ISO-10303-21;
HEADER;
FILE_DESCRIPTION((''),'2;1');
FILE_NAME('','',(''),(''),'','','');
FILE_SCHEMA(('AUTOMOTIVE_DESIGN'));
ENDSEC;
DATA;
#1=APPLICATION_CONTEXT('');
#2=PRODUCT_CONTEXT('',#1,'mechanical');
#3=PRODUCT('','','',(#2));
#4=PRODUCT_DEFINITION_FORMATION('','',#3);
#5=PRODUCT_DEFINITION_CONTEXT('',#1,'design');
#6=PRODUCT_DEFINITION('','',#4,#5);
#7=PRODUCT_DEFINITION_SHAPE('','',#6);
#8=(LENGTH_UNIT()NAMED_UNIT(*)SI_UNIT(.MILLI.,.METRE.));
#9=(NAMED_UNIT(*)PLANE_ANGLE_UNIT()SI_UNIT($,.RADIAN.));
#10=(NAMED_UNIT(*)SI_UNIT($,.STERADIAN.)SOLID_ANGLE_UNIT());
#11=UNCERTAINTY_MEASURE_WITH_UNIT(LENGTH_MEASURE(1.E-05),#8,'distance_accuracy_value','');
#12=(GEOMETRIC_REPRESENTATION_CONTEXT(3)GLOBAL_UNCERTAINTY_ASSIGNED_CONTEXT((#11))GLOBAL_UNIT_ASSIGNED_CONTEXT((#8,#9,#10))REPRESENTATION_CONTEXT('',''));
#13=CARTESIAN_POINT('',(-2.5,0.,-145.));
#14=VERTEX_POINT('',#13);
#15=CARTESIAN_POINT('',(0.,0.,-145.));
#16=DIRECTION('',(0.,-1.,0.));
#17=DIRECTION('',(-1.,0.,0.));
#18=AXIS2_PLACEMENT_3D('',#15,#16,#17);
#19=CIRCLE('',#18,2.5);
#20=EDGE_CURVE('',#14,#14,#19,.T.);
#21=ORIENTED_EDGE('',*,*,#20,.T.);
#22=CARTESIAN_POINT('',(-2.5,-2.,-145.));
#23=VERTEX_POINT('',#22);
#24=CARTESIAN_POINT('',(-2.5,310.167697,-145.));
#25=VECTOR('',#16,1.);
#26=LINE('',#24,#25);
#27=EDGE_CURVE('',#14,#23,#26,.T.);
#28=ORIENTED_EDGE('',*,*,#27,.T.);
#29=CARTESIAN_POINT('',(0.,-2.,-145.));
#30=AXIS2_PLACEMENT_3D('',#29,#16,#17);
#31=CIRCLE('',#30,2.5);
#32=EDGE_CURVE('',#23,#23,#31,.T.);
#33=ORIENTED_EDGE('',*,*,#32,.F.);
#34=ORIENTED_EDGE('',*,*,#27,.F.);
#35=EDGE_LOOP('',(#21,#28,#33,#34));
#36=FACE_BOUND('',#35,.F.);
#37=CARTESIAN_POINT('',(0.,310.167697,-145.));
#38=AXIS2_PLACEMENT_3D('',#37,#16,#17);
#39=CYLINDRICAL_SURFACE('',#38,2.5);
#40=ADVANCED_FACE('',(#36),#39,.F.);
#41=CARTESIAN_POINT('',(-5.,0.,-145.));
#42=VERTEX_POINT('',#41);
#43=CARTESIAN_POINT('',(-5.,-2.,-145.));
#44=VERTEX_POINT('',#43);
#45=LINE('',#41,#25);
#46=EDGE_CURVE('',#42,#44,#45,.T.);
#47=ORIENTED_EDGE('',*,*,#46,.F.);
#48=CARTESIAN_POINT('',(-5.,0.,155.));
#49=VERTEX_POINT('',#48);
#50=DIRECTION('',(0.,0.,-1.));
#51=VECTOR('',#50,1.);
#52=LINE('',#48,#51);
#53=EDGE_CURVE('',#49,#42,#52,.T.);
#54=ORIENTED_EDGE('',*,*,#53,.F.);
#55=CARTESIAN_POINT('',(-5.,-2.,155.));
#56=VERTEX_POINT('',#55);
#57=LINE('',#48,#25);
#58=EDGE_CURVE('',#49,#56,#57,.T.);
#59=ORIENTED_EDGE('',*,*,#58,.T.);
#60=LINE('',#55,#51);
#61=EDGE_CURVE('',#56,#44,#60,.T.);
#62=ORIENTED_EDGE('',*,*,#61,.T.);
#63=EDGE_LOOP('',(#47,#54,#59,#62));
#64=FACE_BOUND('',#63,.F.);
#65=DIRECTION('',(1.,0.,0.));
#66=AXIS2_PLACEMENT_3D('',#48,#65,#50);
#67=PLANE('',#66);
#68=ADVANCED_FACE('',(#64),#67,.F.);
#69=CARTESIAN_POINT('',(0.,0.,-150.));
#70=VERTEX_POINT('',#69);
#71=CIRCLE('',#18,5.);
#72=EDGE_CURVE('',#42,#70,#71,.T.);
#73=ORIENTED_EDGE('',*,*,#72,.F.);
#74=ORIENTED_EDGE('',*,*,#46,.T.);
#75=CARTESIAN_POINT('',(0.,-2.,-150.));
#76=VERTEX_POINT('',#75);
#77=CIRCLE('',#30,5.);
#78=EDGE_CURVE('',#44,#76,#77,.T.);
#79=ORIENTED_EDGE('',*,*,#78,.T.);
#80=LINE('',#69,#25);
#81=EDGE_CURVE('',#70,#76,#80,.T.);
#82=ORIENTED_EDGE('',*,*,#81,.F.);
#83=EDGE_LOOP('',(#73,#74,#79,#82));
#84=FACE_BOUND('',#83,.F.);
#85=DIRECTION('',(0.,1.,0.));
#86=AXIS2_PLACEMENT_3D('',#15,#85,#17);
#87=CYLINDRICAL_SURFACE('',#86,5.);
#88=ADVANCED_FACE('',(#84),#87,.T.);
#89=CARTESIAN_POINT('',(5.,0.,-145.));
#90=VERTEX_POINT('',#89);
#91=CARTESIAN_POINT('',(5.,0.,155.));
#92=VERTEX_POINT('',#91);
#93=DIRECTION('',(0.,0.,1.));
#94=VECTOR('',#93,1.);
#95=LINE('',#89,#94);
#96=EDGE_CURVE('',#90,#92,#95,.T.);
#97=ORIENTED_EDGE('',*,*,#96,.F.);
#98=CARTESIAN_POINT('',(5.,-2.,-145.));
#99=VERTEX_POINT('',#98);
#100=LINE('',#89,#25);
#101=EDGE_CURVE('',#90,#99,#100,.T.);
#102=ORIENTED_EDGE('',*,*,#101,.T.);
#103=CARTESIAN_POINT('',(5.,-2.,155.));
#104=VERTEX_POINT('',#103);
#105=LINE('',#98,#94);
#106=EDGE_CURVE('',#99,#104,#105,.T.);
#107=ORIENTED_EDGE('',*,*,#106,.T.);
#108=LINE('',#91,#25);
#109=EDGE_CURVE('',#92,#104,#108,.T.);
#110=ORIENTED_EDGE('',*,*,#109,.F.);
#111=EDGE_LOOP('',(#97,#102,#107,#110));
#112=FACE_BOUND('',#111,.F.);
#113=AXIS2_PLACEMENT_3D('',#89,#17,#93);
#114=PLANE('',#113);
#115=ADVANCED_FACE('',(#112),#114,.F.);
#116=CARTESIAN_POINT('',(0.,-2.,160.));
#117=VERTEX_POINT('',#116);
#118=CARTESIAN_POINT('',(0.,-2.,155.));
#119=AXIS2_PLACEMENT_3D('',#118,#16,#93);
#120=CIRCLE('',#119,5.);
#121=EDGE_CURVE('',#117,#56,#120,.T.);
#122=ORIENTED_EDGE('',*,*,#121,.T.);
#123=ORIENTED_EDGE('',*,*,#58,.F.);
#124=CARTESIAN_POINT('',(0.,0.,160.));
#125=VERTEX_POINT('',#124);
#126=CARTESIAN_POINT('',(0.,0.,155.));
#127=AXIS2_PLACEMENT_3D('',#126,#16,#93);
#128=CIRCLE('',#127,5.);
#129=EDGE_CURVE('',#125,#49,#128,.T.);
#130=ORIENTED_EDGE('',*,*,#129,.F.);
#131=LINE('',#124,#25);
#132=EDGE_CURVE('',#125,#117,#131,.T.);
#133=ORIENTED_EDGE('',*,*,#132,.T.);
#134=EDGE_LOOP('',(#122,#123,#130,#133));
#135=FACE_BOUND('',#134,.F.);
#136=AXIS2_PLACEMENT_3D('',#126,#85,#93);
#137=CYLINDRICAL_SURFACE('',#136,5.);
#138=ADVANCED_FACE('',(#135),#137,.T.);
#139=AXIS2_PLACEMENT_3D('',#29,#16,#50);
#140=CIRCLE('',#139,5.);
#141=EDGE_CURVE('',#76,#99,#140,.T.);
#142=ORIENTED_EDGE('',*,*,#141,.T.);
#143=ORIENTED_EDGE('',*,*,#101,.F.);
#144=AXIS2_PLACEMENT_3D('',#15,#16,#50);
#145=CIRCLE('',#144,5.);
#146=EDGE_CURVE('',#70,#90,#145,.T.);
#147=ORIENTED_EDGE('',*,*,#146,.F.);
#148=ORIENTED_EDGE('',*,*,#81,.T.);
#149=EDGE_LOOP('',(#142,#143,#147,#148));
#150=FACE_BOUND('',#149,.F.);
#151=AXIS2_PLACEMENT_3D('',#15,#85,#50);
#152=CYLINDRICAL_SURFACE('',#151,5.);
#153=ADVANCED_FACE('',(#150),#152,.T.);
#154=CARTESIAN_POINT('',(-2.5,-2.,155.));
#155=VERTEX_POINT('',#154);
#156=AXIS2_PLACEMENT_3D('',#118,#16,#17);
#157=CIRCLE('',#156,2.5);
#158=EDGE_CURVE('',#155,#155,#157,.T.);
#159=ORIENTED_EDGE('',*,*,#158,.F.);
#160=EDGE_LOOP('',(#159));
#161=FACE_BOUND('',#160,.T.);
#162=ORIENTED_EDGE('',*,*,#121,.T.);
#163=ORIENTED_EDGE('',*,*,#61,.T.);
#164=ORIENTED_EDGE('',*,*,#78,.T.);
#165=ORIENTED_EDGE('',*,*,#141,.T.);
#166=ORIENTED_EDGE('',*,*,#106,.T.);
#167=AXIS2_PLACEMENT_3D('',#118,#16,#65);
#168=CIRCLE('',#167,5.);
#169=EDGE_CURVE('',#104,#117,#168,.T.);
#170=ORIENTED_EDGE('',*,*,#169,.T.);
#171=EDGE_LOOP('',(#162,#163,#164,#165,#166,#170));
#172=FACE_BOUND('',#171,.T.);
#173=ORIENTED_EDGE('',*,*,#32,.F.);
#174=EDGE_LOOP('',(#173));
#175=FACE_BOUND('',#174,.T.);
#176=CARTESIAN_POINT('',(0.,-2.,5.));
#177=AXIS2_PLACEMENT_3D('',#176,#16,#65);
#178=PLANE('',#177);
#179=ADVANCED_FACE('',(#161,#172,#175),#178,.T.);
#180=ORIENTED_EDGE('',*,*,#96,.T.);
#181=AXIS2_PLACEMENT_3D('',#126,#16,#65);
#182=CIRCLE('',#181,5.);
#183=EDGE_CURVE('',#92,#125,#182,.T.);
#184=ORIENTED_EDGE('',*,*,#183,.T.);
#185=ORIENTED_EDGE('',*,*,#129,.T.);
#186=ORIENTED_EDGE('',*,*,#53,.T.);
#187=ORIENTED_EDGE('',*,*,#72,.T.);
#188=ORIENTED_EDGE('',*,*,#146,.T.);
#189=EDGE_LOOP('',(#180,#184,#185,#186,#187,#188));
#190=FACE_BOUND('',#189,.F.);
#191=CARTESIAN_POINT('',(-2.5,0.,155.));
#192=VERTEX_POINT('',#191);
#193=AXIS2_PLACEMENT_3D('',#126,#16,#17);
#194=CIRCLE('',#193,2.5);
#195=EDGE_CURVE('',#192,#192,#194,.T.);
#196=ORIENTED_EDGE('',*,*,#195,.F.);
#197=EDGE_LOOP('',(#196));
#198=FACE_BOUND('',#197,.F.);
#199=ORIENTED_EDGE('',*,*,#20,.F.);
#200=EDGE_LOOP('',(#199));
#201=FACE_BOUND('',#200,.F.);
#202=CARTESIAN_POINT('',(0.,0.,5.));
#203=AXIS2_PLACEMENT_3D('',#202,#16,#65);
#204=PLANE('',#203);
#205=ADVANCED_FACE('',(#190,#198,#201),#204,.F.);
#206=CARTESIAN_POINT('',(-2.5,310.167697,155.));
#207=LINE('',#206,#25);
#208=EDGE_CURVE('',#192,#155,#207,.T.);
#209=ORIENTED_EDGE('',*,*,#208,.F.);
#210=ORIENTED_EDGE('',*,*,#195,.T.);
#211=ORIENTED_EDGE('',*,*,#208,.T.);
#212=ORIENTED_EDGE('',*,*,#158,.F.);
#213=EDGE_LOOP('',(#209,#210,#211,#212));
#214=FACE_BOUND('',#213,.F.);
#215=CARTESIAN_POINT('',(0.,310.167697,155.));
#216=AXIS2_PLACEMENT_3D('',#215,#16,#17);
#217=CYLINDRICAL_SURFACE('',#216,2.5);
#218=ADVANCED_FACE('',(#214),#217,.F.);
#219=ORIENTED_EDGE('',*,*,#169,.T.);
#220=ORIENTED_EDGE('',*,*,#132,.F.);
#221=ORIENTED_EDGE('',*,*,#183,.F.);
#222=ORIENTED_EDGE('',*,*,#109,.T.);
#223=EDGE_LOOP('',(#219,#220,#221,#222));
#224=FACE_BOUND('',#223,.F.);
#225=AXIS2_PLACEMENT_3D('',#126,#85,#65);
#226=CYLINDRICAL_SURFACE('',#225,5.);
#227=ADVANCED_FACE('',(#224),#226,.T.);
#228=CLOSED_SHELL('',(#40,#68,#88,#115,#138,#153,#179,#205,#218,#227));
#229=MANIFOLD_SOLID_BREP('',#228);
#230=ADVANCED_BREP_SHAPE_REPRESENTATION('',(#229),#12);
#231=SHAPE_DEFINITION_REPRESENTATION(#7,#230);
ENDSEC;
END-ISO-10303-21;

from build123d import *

# Parameters (mm, degrees)
F1_DEPTH = 2
F2_D     = 5
F3_D     = 5


with BuildPart() as f1:
    # F0 (on Front) → F1 (new body)
    with BuildSketch(Plane.XZ):
        with BuildLine():
            ThreePointArc((0, 160), (-3.5355339059, 158.5355339059), (-5, 155))
            Line((-5, 155), (-5, -145))
            ThreePointArc((-5, -145), (-3.5355339059, -148.5355339059), (0, -150))
            ThreePointArc((0, -150), (3.5355339059, -148.5355339059), (5, -145))
            Line((5, -145), (5, 155))
            ThreePointArc((5, 155), (3.5355339059, 158.5355339059), (0, 160))
        make_face()
    extrude(amount=F1_DEPTH)

    # F2 (through all)
    with Locations(Plane(origin=(0, 0, 0), x_dir=(1, 0, 0), z_dir=(0, 1, 0))):
        with Locations((0, -155)):
            Hole(F2_D / 2)

    # F3 (through all)
    with Locations(Plane(origin=(0, 0, 0), x_dir=(1, 0, 0), z_dir=(0, 1, 0))):
        with Locations((0, 145)):
            Hole(F3_D / 2)


solid = f1.part
